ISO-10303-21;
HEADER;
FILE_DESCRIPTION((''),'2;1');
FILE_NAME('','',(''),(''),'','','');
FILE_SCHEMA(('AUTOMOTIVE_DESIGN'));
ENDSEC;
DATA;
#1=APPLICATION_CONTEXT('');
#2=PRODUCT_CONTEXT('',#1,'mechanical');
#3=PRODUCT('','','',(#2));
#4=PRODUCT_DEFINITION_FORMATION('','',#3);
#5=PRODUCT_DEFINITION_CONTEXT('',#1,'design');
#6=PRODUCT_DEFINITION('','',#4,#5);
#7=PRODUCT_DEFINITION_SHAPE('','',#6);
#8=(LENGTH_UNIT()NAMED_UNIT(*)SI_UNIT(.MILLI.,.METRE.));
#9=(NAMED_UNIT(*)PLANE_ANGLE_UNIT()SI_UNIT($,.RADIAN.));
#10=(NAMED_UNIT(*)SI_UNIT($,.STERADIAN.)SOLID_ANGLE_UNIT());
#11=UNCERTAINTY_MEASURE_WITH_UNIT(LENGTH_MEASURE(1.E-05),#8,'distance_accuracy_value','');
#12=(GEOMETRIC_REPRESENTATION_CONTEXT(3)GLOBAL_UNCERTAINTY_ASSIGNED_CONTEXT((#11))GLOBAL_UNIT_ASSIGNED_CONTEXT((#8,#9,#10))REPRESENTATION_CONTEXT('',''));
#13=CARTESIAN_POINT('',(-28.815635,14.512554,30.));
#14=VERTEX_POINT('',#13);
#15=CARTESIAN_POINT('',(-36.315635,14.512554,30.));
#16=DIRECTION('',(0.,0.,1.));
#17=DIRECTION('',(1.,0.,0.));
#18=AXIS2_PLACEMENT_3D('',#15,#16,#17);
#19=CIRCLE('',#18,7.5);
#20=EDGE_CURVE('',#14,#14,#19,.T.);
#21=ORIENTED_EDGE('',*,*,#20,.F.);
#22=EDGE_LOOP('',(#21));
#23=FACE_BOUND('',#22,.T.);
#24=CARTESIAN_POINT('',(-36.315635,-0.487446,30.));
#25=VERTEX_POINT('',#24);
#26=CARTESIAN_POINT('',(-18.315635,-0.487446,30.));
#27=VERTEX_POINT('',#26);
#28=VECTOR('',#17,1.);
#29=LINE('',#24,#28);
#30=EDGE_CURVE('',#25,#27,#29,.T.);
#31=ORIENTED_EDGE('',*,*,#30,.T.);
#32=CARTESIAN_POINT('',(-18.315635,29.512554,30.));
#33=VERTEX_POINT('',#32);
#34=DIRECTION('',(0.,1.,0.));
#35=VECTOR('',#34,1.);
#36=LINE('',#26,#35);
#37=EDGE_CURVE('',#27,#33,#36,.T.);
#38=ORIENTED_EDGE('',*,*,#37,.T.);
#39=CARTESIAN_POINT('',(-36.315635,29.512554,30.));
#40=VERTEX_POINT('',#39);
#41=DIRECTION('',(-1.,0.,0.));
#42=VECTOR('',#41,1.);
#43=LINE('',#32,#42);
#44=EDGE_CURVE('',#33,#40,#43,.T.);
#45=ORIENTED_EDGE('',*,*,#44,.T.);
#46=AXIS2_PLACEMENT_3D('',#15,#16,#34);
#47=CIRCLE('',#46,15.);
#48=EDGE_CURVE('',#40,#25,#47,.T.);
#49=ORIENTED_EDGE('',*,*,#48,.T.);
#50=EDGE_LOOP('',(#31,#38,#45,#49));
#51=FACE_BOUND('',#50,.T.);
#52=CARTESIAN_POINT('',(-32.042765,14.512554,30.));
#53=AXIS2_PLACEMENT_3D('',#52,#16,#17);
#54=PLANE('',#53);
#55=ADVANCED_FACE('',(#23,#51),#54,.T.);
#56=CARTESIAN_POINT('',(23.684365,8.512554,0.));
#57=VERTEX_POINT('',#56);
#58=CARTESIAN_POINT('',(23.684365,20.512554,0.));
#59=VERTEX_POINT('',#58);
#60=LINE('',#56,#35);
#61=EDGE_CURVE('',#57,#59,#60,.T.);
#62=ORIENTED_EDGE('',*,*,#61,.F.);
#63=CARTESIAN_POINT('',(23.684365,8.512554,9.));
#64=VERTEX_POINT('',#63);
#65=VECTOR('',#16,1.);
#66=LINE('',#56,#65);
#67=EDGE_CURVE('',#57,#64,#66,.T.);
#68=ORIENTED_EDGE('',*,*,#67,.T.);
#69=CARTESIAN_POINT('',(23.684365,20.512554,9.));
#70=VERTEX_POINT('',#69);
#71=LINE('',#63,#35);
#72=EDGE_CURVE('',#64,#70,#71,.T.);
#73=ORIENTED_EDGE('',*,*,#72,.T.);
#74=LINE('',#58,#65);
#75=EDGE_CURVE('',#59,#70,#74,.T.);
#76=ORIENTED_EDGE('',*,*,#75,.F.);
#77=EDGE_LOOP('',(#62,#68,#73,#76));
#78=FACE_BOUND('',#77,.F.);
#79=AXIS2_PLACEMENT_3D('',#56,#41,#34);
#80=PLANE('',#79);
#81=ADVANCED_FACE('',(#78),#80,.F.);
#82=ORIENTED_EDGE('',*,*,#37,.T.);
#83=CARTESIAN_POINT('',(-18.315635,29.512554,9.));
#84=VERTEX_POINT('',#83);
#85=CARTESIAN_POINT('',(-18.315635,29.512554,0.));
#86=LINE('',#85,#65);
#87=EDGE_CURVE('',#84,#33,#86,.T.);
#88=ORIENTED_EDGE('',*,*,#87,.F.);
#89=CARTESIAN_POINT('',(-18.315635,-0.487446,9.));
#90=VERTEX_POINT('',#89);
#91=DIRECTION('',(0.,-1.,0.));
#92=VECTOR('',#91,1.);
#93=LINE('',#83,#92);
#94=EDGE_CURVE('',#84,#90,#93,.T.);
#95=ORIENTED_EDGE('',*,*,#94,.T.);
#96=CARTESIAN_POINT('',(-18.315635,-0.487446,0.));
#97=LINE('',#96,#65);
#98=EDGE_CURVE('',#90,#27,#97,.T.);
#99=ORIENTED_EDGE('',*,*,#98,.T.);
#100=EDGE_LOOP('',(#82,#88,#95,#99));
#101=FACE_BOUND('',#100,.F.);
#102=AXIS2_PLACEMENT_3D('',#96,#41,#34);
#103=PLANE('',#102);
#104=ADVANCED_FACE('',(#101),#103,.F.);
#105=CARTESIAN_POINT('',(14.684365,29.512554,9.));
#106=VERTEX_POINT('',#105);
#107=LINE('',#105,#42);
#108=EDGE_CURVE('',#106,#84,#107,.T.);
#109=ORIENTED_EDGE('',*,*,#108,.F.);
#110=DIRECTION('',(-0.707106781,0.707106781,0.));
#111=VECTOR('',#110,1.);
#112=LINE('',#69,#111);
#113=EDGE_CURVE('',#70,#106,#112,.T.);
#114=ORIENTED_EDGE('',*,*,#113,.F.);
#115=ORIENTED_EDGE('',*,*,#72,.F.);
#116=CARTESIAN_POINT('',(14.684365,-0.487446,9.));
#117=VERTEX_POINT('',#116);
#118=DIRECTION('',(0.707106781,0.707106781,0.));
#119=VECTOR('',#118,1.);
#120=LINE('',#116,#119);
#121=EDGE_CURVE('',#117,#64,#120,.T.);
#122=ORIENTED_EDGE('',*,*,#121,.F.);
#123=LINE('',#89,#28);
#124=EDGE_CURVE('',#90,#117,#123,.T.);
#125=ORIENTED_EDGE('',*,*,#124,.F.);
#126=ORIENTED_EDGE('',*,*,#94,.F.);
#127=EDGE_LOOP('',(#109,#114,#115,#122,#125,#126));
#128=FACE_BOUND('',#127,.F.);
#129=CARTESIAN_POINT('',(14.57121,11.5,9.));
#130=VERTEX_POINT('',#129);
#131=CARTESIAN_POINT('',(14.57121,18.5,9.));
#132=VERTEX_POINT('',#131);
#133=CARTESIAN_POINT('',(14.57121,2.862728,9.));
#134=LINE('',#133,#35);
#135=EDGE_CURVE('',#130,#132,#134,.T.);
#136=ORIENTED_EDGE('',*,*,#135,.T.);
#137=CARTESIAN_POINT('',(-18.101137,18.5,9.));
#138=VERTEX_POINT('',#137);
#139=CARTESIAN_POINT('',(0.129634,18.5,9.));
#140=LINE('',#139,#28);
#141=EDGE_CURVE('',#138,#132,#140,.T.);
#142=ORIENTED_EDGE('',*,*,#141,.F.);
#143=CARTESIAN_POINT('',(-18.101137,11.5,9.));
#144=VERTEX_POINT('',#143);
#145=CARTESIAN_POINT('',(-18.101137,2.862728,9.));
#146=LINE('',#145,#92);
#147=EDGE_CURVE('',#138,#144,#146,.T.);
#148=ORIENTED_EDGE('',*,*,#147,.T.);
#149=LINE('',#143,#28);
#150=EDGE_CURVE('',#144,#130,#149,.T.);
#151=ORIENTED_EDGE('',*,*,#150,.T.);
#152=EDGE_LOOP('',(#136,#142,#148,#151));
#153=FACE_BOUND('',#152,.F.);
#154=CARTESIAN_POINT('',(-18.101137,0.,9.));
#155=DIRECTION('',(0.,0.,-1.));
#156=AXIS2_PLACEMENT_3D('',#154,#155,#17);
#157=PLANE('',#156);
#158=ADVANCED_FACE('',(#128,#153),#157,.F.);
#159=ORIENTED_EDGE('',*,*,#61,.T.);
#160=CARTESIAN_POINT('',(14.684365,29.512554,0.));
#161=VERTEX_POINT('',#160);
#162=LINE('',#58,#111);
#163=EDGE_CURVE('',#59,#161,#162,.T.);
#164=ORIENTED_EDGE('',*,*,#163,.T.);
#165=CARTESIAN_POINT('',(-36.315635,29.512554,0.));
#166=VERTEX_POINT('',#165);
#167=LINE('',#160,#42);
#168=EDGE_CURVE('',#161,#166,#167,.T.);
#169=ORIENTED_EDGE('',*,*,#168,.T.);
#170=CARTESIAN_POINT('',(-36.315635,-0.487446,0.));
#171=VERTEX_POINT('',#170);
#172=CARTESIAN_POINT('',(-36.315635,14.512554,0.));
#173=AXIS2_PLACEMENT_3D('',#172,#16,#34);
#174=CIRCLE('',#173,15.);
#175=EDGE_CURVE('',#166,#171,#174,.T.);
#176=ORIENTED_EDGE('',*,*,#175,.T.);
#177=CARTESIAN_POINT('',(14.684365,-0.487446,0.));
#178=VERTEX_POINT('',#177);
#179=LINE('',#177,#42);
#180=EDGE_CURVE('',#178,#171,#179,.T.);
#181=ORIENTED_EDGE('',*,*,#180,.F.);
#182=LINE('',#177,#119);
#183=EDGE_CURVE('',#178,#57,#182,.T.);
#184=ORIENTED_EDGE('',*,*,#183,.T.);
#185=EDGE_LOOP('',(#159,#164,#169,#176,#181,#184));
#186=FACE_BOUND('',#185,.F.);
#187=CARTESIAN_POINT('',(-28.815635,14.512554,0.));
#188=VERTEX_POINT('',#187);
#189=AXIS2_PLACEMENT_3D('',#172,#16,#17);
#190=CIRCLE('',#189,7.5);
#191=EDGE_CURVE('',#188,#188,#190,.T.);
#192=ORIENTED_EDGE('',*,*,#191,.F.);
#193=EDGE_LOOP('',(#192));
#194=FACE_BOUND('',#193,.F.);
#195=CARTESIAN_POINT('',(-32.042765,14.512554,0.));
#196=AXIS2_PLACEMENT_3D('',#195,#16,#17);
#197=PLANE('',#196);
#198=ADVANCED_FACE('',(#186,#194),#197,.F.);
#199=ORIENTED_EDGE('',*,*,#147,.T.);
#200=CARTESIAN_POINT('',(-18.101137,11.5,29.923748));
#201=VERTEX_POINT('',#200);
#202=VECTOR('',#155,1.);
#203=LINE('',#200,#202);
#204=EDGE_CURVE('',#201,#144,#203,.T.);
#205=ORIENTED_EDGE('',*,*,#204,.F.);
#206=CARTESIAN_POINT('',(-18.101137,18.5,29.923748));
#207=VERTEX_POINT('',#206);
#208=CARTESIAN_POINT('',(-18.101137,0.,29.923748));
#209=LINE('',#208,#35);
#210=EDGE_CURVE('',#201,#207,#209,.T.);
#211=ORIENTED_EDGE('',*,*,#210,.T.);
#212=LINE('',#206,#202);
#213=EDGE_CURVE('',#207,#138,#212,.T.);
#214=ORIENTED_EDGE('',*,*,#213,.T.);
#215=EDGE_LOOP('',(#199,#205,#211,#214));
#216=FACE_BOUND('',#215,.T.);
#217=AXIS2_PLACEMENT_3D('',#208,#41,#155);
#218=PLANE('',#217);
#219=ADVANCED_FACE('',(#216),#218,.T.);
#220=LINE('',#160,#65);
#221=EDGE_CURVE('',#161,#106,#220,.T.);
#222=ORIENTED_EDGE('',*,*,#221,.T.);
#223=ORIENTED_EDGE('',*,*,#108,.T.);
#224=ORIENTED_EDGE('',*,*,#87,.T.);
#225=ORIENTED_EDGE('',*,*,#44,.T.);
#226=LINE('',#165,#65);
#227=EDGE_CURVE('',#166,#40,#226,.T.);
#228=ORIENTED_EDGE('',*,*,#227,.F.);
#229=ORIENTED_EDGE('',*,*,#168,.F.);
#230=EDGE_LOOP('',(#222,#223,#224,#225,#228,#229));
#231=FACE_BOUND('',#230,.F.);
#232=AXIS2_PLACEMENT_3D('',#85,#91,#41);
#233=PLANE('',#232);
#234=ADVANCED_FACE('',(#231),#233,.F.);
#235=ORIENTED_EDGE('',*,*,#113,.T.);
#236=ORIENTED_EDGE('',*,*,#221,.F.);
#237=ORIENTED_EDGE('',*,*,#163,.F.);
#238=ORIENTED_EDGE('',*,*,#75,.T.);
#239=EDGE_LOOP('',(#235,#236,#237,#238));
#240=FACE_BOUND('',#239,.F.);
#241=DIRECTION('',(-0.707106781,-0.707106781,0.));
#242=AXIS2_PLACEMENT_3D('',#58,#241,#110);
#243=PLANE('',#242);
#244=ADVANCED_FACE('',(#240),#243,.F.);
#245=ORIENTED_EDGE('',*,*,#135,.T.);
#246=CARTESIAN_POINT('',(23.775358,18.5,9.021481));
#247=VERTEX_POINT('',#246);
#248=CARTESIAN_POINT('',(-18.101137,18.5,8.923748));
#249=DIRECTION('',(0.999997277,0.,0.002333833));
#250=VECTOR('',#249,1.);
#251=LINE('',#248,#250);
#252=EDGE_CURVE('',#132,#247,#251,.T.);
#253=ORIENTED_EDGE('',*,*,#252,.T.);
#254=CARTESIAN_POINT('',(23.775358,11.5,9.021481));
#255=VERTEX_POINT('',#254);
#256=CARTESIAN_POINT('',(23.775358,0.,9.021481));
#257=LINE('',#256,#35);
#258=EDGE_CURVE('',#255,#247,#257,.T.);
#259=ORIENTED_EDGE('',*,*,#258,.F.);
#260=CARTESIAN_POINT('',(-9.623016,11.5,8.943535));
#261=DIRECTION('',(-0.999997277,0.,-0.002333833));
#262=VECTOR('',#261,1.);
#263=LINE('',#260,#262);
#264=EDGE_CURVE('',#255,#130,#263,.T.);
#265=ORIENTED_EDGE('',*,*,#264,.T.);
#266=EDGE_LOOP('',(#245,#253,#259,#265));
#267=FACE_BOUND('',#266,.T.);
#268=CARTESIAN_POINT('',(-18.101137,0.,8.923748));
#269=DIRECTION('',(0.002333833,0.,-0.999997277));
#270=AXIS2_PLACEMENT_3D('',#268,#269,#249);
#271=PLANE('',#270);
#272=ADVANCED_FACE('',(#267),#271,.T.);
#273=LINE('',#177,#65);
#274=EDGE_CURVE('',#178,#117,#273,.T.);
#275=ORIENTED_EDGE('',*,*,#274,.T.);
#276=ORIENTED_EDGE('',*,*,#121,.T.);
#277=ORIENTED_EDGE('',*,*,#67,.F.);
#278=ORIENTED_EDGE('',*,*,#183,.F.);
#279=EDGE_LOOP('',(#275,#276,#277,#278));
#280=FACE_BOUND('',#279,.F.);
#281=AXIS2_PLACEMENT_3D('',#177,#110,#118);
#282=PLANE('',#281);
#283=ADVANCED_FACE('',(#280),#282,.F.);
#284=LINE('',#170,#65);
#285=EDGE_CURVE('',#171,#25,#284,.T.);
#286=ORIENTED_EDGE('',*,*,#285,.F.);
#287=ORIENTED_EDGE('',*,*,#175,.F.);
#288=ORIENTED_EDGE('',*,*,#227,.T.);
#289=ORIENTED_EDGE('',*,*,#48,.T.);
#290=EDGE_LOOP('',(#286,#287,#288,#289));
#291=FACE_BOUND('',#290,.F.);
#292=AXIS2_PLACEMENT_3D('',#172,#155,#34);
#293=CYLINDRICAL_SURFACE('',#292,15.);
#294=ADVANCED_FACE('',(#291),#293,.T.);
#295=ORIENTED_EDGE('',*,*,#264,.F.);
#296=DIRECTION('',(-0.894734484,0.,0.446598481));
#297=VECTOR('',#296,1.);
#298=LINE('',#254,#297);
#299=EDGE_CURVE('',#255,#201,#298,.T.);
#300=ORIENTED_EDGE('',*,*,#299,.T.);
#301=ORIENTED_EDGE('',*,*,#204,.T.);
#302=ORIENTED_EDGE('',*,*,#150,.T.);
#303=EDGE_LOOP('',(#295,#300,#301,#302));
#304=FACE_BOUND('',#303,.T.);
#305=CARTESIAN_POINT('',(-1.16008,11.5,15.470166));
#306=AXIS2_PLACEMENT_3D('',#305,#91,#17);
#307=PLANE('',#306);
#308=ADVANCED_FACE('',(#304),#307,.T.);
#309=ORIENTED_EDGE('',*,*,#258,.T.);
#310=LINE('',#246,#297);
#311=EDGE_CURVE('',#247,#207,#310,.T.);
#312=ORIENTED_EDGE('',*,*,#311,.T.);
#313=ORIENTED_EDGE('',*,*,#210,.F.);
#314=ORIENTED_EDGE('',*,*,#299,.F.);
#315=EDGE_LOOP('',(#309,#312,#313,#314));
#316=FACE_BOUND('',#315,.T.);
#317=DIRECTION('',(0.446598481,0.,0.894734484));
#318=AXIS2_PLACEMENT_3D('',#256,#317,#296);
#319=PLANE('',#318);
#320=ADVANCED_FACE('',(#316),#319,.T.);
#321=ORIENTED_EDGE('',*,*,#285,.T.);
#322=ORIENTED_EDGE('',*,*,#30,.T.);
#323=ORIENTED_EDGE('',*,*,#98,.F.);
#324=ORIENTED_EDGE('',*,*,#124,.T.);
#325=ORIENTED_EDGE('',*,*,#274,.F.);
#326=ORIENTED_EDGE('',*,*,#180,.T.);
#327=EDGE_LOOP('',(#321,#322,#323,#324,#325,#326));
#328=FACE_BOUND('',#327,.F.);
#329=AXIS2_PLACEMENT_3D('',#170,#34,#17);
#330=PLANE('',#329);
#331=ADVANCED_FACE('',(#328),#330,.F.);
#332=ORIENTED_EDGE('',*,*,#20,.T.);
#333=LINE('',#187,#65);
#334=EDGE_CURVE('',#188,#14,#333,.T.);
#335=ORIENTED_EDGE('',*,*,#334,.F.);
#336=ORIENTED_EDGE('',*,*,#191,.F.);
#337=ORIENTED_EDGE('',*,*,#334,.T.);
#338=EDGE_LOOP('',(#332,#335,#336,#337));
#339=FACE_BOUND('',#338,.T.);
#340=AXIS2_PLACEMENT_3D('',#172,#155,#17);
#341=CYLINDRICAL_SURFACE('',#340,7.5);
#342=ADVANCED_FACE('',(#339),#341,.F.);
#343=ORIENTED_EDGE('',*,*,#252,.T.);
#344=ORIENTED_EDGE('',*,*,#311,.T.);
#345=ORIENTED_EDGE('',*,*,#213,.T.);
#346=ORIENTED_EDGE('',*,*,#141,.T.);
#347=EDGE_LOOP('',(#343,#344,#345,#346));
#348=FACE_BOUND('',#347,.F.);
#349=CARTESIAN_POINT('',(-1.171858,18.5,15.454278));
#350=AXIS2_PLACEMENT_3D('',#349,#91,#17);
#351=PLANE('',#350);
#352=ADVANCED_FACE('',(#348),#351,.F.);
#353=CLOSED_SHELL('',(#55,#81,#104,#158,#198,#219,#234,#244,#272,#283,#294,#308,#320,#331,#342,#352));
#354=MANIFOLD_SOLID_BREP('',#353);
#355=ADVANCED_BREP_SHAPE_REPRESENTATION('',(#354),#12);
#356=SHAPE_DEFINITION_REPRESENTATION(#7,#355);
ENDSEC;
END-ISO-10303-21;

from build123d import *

# Parameters (mm, degrees)
F0_W     = 42
F0_H     = 7
F1_DEPTH = 9
F0_R     = 7.5
F2_DEPTH = 30
F4_DEPTH = 18.5
F5_DEPTH = 11.5


with BuildPart() as f1:
    # F0 (on Top) → F1 (new body)
    with BuildSketch(Plane.XY):
        Polygon((-18.315635, 11.012554), (-18.315635, -0.487446), (14.684365, -0.487446), (23.684365, 8.512554), (23.684365, 11.012554), align=None)
        Polygon((14.684365, 29.512554), (-18.315635, 29.512554), (-18.315635, 18.012554), (23.684365, 18.012554), (23.684365, 20.512554), align=None)
        with Locations((2.684365, 14.512554)):
            Rectangle(F0_W, F0_H)
    extrude(amount=F1_DEPTH)

    # F0 (on Top) → F2 (join)
    with BuildSketch(Plane.XY):
        with BuildLine():
            Line((-18.315635, 29.512554), (-36.315635, 29.512554))
            ThreePointArc((-36.315635, 29.512554), (-51.315635, 14.512554), (-36.315635, -0.487446))
            Line((-36.315635, -0.487446), (-18.315635, -0.487446))
            Line((-18.315635, -0.487446), (-18.315635, 11.012554))
            Line((-18.315635, 11.012554), (-18.315635, 18.012554))
            Line((-18.315635, 18.012554), (-18.315635, 29.512554))
        make_face()
        with Locations((-36.315635, 14.512554)):
            Circle(F0_R, mode=Mode.SUBTRACT)
    extrude(amount=F2_DEPTH)

    # F3 (on Front) → F4 (join)
    with BuildSketch(Plane.XZ):
        Polygon((23.775358, 9.021481), (-18.101137, 29.923748), (-18.101137, 8.923748), align=None)
    extrude(amount=-F4_DEPTH)

    # F4_face (on face) → F5 (cut)
    with BuildSketch(Plane(origin=(-4.133589, 0, 15.976161), x_dir=(1, 0, 0), z_dir=(0, -1, 0))):
        Polygon((18.704939, -6.976161), (27.908947, -6.95468), (-13.967548, 13.947587), (-13.967548, -6.976161), align=None)
    extrude(amount=-F5_DEPTH, mode=Mode.SUBTRACT)


solid = f1.part
